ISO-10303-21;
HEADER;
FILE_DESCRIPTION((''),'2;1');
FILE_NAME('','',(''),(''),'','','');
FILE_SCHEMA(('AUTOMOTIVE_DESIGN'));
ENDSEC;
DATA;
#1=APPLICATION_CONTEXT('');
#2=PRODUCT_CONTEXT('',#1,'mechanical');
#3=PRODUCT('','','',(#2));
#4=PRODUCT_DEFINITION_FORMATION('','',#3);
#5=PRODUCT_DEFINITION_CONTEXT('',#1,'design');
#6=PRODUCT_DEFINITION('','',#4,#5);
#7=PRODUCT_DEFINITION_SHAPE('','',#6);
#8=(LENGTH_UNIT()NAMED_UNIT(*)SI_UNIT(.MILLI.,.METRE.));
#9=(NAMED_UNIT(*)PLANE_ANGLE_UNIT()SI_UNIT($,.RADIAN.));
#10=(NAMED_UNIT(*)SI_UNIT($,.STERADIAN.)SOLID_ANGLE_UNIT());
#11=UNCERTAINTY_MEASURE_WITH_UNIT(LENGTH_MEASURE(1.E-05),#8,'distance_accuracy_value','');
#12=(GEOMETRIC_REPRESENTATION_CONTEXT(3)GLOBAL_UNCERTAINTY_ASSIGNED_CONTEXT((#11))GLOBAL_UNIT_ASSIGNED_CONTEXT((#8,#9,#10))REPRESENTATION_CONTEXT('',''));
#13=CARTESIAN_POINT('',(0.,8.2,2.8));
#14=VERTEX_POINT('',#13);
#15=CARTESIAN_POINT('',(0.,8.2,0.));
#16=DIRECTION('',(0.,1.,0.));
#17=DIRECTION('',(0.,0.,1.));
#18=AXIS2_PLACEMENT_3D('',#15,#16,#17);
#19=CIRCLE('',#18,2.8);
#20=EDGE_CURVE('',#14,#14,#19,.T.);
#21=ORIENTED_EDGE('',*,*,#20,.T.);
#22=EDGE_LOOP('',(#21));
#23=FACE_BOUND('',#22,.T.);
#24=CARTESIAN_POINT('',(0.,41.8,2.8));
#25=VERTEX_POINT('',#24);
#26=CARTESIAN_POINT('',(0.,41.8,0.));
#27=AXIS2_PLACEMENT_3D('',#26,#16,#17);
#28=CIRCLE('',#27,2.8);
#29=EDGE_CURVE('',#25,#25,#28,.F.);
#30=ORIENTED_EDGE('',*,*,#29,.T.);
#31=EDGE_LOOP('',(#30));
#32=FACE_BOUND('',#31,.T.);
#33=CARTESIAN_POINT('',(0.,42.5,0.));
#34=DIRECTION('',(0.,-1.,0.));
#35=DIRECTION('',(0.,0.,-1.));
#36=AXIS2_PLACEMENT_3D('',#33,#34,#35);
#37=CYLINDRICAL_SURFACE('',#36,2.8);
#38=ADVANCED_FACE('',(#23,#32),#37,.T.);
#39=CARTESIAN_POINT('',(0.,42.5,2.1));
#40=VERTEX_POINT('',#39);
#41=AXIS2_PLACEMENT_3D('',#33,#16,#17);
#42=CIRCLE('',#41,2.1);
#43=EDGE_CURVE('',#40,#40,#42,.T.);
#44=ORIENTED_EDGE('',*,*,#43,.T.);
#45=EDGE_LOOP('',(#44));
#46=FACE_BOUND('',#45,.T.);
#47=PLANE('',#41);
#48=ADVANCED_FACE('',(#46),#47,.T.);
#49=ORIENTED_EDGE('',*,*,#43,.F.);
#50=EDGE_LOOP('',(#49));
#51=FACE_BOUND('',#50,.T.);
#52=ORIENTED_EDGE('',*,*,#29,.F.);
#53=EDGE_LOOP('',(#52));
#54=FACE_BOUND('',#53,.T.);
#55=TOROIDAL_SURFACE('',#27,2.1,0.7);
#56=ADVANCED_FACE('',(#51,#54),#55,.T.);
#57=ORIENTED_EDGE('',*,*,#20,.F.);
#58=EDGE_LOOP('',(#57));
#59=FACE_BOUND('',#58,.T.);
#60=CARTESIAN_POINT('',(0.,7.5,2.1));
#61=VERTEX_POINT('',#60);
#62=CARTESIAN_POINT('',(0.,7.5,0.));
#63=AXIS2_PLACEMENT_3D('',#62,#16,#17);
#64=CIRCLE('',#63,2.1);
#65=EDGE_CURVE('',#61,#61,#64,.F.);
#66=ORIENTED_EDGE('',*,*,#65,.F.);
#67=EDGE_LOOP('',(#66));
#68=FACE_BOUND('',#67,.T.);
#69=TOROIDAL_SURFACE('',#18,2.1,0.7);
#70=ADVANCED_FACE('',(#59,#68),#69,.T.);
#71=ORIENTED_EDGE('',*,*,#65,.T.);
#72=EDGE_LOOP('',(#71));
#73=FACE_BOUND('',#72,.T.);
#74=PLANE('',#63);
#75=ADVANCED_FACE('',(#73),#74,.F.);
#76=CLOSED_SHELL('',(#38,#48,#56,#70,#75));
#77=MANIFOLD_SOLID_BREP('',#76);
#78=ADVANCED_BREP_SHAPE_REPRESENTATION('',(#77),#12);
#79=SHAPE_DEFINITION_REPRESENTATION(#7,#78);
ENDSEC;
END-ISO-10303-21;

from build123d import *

# Parameters (mm, degrees)
SKETCH1_R           = 4
BOSS_EXTRUDE1_DEPTH = 50
FILLET1_R           = 1
FILLET2_R           = 1
SCALE1_SCALE        = 0.7


with BuildPart() as part:
    # Sketch1 → Boss-Extrude1 (new body)
    with BuildSketch(Plane(origin=(0, 0, 0), x_dir=(1, 0, 0), z_dir=(0, 1, 0))):
        with Locations(Location((0, 0, 0), (0, 0, 270))):
            Circle(SKETCH1_R)
    extrude(amount=BOSS_EXTRUDE1_DEPTH)

    # Fillet1
    fillet1_edges = [part.edges().sort_by_distance(p)[0] for p in [
        (0, 50, -4),
    ]]
    fillet(fillet1_edges, radius=FILLET1_R)

    # Fillet2
    fillet2_edges = [part.edges().sort_by_distance(p)[0] for p in [
        (0, 0, -4),
    ]]
    fillet(fillet2_edges, radius=FILLET2_R)


with BuildPart() as part_1:
    # Scale1: scaled about (0, 25, 0)
    add(part.part.scale(SCALE1_SCALE).moved(Location((0, 7.5, 0))))


solid = part_1.part
